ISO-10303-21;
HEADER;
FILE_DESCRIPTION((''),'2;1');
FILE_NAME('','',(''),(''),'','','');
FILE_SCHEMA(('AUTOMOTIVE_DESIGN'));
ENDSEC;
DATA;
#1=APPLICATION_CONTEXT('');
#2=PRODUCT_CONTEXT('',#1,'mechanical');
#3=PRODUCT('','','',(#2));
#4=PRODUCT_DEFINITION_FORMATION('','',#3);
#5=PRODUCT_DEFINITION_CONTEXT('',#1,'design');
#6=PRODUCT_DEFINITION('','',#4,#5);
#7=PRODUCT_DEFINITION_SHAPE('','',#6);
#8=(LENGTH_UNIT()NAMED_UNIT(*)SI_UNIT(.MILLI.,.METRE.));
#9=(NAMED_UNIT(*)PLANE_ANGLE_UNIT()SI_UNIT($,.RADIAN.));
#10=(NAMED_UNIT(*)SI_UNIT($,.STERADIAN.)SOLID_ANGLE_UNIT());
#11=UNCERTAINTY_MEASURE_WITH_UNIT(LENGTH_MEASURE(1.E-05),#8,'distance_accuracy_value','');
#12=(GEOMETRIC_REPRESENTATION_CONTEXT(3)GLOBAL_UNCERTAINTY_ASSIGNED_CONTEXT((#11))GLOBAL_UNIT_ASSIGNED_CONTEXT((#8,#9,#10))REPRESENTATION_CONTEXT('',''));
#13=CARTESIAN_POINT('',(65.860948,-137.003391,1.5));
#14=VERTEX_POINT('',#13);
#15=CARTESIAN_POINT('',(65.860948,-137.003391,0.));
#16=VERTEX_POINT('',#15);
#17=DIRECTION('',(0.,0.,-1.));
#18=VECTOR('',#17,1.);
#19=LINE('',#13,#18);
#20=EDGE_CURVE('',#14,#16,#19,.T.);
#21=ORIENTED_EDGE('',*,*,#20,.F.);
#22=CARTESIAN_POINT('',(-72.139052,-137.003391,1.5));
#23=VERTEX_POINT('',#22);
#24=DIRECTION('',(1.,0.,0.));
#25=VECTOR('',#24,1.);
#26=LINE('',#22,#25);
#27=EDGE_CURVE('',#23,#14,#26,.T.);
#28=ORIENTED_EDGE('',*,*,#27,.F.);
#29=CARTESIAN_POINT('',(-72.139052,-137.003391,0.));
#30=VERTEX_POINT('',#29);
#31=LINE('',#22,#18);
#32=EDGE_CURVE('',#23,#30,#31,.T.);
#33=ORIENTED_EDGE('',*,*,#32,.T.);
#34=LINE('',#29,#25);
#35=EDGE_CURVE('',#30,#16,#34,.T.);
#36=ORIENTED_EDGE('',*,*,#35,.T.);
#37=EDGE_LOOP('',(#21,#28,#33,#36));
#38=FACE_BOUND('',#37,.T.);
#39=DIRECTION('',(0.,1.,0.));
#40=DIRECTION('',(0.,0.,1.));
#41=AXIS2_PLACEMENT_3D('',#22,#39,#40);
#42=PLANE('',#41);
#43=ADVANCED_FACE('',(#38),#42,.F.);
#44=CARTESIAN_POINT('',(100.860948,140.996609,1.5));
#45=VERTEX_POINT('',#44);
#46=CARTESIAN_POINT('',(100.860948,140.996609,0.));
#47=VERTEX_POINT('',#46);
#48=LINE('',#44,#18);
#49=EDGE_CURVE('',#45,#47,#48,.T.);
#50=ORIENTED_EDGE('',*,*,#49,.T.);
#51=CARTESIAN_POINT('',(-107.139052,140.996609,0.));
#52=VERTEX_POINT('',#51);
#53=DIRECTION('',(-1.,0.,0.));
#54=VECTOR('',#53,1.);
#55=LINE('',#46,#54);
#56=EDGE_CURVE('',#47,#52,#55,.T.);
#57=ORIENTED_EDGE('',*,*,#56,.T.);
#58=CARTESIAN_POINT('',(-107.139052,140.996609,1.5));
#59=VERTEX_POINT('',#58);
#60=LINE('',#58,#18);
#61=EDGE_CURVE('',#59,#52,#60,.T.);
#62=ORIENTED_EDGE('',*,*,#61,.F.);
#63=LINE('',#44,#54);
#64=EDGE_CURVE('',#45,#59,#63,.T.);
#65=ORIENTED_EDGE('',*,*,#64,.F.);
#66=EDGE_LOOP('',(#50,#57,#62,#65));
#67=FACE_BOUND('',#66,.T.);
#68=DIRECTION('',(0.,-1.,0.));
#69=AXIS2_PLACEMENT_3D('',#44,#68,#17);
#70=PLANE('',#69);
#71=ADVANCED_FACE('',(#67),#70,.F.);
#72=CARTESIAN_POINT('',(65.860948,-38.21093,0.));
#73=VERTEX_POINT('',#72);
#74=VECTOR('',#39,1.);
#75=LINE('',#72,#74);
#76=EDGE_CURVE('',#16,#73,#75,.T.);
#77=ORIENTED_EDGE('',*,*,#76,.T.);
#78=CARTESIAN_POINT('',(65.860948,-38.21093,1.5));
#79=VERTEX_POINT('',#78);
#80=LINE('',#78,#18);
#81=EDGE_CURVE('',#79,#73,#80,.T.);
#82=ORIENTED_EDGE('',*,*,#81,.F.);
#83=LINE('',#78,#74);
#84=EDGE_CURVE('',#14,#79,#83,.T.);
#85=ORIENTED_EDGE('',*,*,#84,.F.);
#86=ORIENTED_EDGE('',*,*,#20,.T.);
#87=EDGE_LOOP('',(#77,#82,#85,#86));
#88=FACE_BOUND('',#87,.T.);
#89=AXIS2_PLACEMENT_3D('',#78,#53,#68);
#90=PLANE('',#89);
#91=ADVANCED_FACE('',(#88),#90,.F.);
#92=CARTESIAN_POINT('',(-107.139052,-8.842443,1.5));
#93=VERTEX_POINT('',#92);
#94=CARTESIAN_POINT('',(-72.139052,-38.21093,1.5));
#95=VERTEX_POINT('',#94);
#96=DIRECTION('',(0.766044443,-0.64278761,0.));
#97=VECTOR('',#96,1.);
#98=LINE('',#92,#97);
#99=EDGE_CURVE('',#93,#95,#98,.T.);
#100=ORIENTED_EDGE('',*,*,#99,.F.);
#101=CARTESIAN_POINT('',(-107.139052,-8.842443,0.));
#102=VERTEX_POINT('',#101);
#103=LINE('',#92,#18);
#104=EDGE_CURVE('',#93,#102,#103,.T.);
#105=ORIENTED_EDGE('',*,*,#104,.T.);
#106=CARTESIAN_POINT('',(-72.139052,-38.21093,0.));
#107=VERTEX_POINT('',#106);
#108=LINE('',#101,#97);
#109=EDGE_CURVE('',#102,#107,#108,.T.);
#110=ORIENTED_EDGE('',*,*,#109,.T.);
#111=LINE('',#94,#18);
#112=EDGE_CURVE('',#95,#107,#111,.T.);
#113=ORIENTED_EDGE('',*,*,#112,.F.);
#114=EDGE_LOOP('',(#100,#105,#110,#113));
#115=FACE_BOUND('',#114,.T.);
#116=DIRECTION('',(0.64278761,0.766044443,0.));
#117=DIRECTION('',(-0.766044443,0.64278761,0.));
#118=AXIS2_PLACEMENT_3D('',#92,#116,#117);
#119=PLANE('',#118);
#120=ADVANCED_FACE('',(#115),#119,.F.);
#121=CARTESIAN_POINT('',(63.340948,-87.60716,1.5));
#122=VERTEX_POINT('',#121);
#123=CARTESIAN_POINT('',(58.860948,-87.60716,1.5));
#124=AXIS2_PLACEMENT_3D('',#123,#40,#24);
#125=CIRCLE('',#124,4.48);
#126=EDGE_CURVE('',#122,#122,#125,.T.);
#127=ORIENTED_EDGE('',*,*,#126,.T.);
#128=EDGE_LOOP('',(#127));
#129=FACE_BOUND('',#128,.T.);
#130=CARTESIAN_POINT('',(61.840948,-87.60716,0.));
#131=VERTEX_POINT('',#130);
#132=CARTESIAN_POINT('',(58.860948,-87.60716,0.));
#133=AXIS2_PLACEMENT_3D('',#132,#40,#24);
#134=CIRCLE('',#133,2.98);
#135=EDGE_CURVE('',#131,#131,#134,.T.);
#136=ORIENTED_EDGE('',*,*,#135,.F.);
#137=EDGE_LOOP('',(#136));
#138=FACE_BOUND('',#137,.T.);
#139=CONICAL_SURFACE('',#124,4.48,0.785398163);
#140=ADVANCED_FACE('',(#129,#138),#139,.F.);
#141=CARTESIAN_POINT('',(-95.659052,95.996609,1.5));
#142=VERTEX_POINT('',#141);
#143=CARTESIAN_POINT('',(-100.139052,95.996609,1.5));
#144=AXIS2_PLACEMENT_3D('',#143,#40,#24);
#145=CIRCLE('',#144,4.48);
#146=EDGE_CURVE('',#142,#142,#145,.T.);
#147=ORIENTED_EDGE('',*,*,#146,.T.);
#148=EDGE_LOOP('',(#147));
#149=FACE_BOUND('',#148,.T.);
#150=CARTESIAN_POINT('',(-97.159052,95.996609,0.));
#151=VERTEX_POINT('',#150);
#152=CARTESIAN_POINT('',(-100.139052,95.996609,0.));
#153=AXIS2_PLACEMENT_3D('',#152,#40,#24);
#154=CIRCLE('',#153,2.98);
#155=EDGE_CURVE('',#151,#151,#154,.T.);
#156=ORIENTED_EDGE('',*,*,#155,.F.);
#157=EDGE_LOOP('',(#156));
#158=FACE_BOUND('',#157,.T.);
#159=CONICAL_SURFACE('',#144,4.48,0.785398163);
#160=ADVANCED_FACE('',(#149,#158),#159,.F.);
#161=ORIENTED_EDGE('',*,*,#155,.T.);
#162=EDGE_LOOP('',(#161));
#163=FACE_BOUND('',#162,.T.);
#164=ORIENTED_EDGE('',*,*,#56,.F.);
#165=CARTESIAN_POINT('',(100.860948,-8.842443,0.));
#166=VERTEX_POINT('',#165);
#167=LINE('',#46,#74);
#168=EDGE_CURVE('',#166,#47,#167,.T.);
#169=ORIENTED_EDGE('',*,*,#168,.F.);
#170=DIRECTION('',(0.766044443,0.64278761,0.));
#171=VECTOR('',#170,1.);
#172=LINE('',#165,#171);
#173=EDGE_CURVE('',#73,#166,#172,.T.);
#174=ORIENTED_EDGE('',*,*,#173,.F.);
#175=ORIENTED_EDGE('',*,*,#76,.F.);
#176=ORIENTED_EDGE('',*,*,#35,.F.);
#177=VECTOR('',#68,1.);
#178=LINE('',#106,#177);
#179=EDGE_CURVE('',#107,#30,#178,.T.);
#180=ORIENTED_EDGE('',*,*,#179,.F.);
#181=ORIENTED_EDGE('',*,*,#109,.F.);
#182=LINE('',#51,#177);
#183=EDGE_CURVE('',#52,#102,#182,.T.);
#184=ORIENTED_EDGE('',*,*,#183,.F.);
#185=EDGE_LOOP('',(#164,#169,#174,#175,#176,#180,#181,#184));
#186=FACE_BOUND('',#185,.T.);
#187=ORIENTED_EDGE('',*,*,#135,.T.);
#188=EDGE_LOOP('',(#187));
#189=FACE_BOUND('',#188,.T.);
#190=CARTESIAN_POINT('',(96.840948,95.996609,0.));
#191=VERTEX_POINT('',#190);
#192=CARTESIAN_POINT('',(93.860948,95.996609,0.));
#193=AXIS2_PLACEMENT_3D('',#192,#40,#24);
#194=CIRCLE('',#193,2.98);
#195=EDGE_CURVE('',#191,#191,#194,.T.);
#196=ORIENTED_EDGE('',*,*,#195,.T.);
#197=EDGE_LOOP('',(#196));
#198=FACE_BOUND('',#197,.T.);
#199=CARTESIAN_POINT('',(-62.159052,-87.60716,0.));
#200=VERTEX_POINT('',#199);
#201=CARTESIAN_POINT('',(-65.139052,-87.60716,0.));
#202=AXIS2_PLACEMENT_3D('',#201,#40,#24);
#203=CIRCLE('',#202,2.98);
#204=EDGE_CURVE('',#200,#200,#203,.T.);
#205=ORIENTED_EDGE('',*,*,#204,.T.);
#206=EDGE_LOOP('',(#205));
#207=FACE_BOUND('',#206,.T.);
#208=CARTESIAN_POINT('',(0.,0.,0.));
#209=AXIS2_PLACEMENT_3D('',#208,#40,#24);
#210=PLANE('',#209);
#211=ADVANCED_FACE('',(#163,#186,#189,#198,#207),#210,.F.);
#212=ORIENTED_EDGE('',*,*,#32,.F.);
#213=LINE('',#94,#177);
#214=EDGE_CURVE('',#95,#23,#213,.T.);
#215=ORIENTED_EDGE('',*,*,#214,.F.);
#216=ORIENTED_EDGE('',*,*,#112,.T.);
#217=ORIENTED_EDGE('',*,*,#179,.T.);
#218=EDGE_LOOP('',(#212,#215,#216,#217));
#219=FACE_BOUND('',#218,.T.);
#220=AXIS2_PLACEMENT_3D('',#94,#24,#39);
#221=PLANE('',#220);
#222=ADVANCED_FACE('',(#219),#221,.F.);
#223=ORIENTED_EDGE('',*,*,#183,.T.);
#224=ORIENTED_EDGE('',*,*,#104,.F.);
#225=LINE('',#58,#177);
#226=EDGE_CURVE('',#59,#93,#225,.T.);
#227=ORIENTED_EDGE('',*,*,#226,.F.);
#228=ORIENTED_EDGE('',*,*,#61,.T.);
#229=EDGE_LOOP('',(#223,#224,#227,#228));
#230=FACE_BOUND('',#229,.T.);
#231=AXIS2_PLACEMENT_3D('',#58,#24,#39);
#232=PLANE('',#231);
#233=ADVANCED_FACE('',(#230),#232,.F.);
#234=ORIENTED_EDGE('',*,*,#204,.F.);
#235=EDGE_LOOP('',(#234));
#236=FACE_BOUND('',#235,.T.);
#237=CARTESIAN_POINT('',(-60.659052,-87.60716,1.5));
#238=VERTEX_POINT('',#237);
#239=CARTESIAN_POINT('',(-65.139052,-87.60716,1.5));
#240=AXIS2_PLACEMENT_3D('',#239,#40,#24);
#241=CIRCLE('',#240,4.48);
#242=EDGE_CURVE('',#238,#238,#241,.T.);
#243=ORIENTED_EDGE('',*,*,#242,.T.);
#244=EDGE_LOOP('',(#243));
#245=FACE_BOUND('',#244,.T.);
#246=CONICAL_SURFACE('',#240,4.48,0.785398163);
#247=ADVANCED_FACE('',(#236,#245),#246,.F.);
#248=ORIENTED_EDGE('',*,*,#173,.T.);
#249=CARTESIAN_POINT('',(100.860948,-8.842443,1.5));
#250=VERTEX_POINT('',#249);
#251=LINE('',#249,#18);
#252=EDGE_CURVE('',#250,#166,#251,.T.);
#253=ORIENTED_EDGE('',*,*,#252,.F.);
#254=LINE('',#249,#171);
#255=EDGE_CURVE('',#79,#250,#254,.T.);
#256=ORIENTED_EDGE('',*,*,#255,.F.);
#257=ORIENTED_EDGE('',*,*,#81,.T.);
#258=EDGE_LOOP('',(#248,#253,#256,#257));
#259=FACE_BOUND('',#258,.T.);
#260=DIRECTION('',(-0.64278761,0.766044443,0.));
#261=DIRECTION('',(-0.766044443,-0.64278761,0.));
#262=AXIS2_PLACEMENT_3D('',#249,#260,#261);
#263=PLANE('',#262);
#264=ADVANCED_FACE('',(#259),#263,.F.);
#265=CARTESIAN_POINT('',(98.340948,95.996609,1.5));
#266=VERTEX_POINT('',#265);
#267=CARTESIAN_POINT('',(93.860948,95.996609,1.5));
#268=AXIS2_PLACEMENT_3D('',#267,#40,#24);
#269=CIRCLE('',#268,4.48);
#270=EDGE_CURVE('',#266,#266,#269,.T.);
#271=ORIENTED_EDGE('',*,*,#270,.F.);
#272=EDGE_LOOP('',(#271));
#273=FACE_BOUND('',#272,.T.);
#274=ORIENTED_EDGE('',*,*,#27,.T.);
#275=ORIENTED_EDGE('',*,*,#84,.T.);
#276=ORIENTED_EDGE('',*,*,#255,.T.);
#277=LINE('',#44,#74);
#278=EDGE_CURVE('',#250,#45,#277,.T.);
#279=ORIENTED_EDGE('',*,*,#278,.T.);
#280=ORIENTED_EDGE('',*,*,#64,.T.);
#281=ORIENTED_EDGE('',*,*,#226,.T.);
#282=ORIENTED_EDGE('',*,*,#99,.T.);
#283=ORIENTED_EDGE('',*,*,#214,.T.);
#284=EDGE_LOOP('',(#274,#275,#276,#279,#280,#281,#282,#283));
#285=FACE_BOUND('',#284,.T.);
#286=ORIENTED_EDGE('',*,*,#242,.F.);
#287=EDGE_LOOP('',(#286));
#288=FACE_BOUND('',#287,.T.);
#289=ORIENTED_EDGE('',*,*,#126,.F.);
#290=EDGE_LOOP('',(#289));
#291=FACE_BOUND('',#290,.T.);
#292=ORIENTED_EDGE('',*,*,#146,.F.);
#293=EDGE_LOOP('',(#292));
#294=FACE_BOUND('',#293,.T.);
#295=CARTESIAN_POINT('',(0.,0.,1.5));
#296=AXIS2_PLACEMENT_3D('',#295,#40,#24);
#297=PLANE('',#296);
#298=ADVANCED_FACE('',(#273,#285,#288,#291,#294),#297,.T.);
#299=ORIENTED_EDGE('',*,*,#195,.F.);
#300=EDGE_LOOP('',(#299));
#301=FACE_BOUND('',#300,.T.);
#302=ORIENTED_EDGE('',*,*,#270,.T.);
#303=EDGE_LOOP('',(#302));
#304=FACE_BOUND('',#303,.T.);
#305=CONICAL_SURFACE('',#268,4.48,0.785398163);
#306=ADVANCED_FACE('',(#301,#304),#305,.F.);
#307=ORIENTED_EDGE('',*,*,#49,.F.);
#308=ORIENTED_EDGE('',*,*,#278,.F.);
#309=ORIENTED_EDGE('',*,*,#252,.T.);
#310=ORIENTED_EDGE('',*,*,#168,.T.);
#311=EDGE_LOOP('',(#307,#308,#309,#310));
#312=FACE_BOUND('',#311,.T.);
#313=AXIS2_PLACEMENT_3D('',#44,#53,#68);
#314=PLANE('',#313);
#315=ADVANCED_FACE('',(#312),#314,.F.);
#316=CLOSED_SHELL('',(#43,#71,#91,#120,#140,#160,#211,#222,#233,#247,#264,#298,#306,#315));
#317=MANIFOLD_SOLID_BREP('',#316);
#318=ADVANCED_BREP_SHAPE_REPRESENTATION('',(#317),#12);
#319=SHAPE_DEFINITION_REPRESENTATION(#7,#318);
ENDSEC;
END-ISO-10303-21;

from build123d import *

# Parameters (mm, degrees)
RESSALTO_EXTRUS_O1_DEPTH                     = 1.5
ESCAREADO_PARA_PARAFUSO_ALLEN_SEXTAV_2_COUNT = 2
ESCAREADO_PARA_PARAFUSO_ALLEN_SEXTAV_2_PITCH = 194
ESCAREADO_PARA_PARAFUSO_ALLEN_SEXTAV_3_COUNT = 2
ESCAREADO_PARA_PARAFUSO_ALLEN_SEXTAV_3_PITCH = 242.881337709
ESCAREADO_PARA_PARAFUSO_ALLEN_SEXTAV_4_COUNT = 2
ESCAREADO_PARA_PARAFUSO_ALLEN_SEXTAV_4_PITCH = 186.909989587


with BuildPart() as part:
    # Esboço1 → Ressalto-extrusão1 (new body)
    with BuildSketch(Plane.XY):
        Polygon((100.860947645, 140.996609125), (-107.139052355, 140.996609125), (-107.139052355, -8.842442963), (-72.139052355, -38.210930054), (-72.139052355, -137.003390875), (65.860947645, -137.003390875), (65.860947645, -38.210930054), (100.860947645, -8.842442963), align=None)
    extrude(amount=RESSALTO_EXTRUS_O1_DEPTH)

    # Esboço3 → Escareado para parafuso Allen sextavado escareado de M41 (revolve, cut)
    with BuildSketch(Plane(origin=(-100.139052355, 95.996609125, 1.5), x_dir=(0, -1, 0), z_dir=(1, 0, 0))):
        Polygon((0, 0), (0, 1.5), (2.25, 1.5), (2.25, 2.23), (4.48, 0), align=None)
    escareado_para_parafuso_allen_sextavado = revolve(axis=Axis((-100.139052355, 95.996609125, 7.85), (0, 0, -1)), mode=Mode.SUBTRACT)

    # Escareado para parafuso Allen sextav 2: Escareado para parafuso Allen sextavado escareado de M41 ×2
    with Locations(*[(i * ESCAREADO_PARA_PARAFUSO_ALLEN_SEXTAV_2_PITCH, 0, 0) for i in range(1, ESCAREADO_PARA_PARAFUSO_ALLEN_SEXTAV_2_COUNT)]):
        add(escareado_para_parafuso_allen_sextavado, mode=Mode.SUBTRACT)

    # Escareado para parafuso Allen sextav 3: Escareado para parafuso Allen sextavado escareado de M41 ×2
    with Locations(*[Vector(0.654640663, -0.755940211, 0) * (i * ESCAREADO_PARA_PARAFUSO_ALLEN_SEXTAV_3_PITCH) for i in range(1, ESCAREADO_PARA_PARAFUSO_ALLEN_SEXTAV_3_COUNT)]):
        add(escareado_para_parafuso_allen_sextavado, mode=Mode.SUBTRACT)

    # Escareado para parafuso Allen sextav 4: Escareado para parafuso Allen sextavado escareado de M41 ×2
    with Locations(*[Vector(0.187255909, -0.982311165, 0) * (i * ESCAREADO_PARA_PARAFUSO_ALLEN_SEXTAV_4_PITCH) for i in range(1, ESCAREADO_PARA_PARAFUSO_ALLEN_SEXTAV_4_COUNT)]):
        add(escareado_para_parafuso_allen_sextavado, mode=Mode.SUBTRACT)


solid = part.part
